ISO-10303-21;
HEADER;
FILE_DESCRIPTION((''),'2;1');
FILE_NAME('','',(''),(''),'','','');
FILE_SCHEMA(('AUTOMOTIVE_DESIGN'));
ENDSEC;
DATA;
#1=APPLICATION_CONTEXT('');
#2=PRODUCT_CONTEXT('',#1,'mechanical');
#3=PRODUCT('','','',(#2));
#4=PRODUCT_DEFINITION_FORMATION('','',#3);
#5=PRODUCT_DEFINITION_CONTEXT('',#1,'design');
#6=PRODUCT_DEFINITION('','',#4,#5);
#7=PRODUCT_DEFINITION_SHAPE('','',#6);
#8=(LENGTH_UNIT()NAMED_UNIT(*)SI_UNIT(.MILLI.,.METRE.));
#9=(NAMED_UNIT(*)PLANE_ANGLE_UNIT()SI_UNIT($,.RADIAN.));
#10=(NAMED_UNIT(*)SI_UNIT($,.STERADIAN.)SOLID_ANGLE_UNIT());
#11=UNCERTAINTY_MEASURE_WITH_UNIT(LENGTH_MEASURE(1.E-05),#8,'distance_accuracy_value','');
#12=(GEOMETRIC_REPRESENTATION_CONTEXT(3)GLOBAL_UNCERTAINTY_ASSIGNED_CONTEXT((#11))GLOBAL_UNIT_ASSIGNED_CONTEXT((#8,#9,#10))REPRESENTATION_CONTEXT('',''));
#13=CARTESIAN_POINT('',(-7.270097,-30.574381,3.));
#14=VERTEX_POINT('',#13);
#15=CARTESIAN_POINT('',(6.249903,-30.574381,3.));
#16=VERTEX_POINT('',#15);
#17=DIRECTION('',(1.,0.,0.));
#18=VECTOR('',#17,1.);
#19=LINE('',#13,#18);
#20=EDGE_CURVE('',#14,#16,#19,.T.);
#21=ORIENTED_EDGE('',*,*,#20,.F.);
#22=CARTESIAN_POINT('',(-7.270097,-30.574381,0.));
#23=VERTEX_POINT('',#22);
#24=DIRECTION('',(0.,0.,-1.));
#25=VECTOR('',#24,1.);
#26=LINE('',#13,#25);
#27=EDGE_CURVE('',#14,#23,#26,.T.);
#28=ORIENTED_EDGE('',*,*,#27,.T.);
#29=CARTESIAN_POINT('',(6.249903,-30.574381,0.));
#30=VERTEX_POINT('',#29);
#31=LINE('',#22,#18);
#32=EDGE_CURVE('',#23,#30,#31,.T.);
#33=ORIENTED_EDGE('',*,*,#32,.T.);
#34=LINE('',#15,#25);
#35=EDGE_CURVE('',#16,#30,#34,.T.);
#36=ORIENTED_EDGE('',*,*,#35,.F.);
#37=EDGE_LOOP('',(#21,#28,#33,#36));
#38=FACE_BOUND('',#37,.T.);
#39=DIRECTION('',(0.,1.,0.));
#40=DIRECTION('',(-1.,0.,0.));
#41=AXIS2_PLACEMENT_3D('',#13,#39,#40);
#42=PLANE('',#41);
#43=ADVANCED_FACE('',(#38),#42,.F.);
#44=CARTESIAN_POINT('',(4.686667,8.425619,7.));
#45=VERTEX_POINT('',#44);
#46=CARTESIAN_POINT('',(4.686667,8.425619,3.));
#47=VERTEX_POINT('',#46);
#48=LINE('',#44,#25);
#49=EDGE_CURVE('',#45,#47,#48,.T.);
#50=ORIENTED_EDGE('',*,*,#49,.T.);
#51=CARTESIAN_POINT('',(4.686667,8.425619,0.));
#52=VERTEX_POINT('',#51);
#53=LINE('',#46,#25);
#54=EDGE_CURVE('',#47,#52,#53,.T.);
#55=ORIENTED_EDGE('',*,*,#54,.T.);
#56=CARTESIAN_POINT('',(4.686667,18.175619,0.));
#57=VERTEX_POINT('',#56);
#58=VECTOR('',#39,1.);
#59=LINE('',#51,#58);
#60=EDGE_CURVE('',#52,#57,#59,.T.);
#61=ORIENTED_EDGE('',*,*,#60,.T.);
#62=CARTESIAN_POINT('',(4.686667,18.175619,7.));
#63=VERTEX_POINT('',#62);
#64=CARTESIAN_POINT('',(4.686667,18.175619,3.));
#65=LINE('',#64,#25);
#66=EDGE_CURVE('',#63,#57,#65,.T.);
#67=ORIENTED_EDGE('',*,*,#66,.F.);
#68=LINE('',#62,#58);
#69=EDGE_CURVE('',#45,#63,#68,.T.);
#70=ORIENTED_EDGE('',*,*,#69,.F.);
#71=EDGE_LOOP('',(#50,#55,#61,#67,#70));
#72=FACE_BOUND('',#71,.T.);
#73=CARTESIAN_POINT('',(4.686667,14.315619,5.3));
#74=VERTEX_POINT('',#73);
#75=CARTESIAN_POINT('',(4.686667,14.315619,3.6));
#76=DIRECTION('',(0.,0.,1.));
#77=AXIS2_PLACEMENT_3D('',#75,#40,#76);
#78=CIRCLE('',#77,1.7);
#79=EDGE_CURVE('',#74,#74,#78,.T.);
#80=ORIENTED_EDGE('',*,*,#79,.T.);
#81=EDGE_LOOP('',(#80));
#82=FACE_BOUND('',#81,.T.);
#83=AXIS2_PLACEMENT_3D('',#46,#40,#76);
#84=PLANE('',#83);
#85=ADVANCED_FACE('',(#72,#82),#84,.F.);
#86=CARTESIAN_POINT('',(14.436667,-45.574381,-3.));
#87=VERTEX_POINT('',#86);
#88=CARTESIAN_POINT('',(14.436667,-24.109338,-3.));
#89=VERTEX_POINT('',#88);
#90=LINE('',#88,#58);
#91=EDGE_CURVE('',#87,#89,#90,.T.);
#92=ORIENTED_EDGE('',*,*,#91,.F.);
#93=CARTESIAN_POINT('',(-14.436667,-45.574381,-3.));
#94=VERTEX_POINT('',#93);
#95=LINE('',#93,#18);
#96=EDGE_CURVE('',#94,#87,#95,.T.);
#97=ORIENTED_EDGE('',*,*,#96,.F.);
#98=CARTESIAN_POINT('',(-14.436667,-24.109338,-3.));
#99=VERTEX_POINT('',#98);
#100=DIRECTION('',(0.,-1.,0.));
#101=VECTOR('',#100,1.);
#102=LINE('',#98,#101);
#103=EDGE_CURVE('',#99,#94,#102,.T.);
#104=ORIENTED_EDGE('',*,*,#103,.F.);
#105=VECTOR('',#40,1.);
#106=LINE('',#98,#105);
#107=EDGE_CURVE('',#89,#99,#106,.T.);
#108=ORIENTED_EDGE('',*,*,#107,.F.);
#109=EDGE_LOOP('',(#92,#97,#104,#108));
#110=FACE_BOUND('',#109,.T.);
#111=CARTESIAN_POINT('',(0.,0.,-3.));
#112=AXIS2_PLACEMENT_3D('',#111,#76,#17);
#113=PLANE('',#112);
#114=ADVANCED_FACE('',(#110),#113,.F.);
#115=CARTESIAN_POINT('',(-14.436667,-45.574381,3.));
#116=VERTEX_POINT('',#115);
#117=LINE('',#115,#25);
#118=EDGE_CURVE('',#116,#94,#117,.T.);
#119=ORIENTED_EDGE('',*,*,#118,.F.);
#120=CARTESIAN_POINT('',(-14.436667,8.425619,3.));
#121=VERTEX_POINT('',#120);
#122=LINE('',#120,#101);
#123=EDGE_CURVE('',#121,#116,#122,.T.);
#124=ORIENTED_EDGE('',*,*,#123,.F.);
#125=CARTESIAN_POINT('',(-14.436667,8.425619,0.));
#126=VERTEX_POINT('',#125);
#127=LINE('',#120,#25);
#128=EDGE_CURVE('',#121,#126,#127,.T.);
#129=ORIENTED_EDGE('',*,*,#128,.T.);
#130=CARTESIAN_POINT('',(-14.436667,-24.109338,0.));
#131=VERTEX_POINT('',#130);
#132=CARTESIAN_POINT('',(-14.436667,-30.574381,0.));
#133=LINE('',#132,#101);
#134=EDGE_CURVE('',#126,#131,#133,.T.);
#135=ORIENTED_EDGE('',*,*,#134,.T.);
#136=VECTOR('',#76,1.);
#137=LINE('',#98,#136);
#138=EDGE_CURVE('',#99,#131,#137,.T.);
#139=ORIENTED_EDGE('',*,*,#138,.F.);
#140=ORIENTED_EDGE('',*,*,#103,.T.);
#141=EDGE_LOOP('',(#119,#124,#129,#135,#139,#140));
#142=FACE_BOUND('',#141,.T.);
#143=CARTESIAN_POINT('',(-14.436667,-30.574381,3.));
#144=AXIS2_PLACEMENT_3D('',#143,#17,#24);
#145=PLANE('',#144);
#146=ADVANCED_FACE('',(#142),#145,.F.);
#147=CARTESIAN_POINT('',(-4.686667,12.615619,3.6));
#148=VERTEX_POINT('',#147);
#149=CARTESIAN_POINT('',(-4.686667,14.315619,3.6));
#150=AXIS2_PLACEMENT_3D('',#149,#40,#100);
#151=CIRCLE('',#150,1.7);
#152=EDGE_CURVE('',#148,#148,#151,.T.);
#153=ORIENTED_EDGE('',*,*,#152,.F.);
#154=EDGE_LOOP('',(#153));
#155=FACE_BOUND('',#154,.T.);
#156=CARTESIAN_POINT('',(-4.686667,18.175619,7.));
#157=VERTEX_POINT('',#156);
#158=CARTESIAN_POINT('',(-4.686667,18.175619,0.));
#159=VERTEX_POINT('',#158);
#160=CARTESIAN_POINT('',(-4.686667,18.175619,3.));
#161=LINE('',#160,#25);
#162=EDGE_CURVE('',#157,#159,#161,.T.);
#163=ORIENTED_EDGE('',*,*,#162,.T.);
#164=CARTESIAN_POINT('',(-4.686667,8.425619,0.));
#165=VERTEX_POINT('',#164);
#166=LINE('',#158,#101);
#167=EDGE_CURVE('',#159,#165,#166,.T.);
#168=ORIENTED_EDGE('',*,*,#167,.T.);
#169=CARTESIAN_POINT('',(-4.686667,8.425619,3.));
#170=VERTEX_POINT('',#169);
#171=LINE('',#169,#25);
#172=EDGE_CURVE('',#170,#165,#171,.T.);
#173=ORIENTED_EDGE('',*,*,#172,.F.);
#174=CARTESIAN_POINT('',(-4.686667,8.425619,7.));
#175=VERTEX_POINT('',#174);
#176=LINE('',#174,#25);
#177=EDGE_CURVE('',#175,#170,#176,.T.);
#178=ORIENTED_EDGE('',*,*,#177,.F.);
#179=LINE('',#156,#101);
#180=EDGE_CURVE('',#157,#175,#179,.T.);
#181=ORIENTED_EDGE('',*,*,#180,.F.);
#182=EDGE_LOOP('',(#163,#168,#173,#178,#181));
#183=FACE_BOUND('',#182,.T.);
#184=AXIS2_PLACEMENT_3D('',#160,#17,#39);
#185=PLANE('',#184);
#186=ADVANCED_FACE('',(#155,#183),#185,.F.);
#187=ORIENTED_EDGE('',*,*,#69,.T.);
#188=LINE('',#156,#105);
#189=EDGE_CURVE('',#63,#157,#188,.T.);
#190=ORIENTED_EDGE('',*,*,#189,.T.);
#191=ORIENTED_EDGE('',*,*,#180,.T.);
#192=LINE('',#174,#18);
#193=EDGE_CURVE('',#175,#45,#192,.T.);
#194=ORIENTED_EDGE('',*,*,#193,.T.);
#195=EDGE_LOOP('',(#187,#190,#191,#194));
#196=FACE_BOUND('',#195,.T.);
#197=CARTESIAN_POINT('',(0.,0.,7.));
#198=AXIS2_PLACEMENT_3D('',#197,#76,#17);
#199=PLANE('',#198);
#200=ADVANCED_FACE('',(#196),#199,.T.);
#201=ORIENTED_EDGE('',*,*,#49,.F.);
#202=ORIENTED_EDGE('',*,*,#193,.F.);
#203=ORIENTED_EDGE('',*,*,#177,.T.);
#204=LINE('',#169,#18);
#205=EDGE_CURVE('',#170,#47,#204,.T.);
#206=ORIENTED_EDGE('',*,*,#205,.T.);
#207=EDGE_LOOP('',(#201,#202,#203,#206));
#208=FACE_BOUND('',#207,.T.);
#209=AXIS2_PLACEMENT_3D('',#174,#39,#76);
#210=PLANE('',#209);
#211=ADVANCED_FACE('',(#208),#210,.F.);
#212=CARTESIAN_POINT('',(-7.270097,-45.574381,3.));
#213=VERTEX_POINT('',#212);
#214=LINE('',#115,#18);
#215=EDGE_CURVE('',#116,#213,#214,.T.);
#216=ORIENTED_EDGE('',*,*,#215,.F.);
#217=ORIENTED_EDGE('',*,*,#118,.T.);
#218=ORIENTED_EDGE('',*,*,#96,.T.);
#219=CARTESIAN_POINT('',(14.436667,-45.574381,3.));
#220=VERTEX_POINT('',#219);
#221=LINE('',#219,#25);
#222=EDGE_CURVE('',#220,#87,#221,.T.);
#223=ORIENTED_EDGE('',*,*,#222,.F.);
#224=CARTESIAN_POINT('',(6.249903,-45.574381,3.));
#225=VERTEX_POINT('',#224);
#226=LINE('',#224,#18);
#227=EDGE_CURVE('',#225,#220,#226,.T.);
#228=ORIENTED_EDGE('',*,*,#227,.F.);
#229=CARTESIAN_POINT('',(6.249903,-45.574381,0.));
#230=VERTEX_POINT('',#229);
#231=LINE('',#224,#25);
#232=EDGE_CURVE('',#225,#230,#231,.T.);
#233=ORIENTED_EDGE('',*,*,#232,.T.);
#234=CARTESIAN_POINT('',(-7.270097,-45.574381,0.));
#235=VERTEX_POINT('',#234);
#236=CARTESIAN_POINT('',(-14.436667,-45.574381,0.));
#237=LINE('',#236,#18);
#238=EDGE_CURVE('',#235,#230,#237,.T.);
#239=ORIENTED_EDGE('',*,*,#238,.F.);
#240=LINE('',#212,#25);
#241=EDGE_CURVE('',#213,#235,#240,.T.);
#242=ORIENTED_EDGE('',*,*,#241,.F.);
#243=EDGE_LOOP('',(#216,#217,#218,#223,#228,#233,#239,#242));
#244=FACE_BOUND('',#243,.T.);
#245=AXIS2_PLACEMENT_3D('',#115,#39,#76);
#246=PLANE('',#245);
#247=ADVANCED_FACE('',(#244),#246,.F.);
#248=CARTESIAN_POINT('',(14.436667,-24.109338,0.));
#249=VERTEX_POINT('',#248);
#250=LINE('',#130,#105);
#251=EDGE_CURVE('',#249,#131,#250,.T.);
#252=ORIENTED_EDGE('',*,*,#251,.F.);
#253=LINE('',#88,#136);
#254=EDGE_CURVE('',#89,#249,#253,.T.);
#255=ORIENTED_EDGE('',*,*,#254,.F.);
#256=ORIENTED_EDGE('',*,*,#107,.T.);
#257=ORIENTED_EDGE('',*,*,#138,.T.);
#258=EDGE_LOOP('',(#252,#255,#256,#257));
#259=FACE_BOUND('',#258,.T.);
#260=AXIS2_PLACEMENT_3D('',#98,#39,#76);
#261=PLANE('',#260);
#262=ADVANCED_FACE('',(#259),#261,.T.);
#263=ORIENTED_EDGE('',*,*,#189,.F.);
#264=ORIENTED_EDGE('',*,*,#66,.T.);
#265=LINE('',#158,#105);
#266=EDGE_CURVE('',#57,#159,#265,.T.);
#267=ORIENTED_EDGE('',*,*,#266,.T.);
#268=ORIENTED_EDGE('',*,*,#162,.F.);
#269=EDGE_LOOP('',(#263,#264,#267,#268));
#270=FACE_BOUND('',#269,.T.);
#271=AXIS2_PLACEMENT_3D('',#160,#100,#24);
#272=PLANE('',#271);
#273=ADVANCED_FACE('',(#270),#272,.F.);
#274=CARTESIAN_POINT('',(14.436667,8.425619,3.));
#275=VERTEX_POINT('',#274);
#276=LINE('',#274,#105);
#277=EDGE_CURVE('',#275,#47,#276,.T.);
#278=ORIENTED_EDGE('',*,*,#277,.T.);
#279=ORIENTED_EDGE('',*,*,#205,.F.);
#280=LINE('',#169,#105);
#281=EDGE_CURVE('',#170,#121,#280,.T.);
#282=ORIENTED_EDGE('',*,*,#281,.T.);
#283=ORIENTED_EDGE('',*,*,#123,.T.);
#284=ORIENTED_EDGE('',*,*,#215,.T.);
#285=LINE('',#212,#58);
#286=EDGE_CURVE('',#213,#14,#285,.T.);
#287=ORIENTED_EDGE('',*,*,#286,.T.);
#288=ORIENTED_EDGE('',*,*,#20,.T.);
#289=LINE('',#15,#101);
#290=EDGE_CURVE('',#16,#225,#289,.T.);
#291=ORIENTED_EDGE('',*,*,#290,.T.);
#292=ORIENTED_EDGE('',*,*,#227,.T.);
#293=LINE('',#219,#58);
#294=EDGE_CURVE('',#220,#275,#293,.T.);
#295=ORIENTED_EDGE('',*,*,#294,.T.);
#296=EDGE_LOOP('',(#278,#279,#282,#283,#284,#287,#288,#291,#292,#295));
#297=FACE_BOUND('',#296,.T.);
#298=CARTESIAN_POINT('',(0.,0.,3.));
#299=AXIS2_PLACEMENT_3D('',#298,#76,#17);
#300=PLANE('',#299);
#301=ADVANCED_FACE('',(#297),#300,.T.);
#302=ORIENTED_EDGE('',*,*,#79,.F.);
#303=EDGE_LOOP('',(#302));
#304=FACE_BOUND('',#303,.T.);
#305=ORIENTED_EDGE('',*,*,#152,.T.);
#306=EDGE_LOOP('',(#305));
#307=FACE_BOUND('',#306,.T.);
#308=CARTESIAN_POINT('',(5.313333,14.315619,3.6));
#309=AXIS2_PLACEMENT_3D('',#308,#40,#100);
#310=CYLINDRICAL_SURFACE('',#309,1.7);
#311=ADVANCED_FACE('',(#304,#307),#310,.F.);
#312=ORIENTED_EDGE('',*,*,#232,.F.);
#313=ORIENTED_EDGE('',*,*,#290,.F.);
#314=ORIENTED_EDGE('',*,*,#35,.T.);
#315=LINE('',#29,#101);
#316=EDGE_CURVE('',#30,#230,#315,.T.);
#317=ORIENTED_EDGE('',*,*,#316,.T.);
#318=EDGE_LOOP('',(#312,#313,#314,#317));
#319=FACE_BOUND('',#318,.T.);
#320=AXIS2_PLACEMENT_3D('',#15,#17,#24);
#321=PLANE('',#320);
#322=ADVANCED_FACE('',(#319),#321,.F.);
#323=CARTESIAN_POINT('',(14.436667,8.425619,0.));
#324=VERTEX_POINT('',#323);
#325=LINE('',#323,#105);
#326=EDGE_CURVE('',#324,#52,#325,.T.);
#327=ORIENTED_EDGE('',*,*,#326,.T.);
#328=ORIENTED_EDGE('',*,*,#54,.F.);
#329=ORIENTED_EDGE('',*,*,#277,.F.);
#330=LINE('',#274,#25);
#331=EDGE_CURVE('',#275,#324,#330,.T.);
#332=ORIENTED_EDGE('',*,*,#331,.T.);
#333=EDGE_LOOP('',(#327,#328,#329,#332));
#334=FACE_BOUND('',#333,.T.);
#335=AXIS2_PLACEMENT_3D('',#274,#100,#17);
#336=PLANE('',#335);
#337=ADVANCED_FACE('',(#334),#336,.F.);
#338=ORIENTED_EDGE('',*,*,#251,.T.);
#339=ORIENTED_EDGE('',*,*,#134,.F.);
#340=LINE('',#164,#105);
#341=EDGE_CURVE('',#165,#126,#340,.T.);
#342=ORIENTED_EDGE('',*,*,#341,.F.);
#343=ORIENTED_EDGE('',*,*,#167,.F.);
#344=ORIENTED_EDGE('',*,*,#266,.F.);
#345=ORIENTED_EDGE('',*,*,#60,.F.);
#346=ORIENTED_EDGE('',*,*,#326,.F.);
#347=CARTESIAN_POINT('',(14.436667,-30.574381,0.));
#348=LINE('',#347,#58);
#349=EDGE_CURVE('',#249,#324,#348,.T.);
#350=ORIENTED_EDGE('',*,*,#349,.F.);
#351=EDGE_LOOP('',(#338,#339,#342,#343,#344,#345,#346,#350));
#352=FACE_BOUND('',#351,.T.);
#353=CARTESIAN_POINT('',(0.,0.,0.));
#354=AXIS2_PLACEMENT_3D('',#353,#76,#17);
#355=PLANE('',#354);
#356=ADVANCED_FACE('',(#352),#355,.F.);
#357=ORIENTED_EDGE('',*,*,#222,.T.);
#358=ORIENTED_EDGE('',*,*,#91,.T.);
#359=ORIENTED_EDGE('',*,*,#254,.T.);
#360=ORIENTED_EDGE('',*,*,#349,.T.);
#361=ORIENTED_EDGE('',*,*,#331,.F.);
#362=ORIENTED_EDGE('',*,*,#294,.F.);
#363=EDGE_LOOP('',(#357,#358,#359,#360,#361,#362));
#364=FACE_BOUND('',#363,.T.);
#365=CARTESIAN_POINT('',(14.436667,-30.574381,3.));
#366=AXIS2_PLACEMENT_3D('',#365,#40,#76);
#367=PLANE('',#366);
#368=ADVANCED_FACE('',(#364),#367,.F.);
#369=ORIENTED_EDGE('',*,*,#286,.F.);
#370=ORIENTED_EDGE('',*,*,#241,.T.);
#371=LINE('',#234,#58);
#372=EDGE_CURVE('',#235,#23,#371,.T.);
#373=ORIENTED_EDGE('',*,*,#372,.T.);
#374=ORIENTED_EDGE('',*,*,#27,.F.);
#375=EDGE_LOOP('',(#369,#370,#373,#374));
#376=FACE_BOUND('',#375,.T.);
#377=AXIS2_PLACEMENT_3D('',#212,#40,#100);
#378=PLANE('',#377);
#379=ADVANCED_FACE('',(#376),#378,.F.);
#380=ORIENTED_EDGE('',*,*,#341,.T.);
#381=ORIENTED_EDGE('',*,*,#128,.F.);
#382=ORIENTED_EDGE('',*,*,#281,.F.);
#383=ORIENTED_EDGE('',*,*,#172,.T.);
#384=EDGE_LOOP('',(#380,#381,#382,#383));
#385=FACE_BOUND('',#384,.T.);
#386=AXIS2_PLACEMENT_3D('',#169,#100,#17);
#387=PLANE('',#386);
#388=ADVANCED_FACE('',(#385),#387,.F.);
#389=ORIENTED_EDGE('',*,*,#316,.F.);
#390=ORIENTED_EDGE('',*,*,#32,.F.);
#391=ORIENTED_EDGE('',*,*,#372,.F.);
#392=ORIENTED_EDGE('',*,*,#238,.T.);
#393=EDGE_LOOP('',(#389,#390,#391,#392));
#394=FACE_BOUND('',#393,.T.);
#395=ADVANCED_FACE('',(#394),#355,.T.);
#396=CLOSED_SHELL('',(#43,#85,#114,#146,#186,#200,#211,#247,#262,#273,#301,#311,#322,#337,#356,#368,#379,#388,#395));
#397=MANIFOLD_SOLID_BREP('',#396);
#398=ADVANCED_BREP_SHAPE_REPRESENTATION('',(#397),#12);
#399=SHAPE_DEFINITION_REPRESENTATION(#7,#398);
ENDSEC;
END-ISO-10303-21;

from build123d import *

# Parameters (mm, degrees)
BOSS_EXTRUDE1_DEPTH = 3
SKETCH3_W           = 9.37333333
SKETCH3_H           = 9.75
BOSS_EXTRUDE2_DEPTH = 4
SKETCH5_W           = 28.87333333
SKETCH5_H           = 21.46504359
BOSS_EXTRUDE3_DEPTH = 3
SKETCH6_R           = 1.7
CUT_EXTRUDE1_DEPTH  = 10


with BuildPart() as part:
    # Sketch1 → Boss-Extrude1 (new body)
    with BuildSketch(Plane.XY):
        Polygon((-4.686666665, 8.42561874), (-14.436666665, 8.42561874), (-14.436666665, -30.57438126), (-14.436666665, -45.57438126), (-7.270097193, -45.57438126), (-7.270097193, -30.57438126), (6.249902807, -30.57438126), (6.249902807, -45.57438126), (14.436666665, -45.57438126), (14.436666665, -30.57438126), (14.436666665, 8.42561874), (4.686666665, 8.42561874), (4.686666665, 18.17561874), (-4.686666665, 18.17561874), align=None)
    extrude(amount=BOSS_EXTRUDE1_DEPTH)

    # Sketch3 → Boss-Extrude2 (add)
    with BuildSketch(Plane.XY.offset(3)):
        with Locations((0, 13.30061874)):
            Rectangle(SKETCH3_W, SKETCH3_H)
    extrude(amount=BOSS_EXTRUDE2_DEPTH)

    # Sketch5 → Boss-Extrude3 (add)
    with BuildSketch(Plane.XY):
        with Locations((0, -34.841859465)):
            Rectangle(SKETCH5_W, SKETCH5_H)
    extrude(amount=-BOSS_EXTRUDE3_DEPTH)

    # Sketch6 → Cut-Extrude1 (cut)
    with BuildSketch(Plane.ZY.offset(4.686666665)):
        with Locations(Location((3.6, 14.31561874, 0), (0, 0, 270))):
            Circle(SKETCH6_R)
    extrude(amount=-CUT_EXTRUDE1_DEPTH, mode=Mode.SUBTRACT)


solid = part.part
